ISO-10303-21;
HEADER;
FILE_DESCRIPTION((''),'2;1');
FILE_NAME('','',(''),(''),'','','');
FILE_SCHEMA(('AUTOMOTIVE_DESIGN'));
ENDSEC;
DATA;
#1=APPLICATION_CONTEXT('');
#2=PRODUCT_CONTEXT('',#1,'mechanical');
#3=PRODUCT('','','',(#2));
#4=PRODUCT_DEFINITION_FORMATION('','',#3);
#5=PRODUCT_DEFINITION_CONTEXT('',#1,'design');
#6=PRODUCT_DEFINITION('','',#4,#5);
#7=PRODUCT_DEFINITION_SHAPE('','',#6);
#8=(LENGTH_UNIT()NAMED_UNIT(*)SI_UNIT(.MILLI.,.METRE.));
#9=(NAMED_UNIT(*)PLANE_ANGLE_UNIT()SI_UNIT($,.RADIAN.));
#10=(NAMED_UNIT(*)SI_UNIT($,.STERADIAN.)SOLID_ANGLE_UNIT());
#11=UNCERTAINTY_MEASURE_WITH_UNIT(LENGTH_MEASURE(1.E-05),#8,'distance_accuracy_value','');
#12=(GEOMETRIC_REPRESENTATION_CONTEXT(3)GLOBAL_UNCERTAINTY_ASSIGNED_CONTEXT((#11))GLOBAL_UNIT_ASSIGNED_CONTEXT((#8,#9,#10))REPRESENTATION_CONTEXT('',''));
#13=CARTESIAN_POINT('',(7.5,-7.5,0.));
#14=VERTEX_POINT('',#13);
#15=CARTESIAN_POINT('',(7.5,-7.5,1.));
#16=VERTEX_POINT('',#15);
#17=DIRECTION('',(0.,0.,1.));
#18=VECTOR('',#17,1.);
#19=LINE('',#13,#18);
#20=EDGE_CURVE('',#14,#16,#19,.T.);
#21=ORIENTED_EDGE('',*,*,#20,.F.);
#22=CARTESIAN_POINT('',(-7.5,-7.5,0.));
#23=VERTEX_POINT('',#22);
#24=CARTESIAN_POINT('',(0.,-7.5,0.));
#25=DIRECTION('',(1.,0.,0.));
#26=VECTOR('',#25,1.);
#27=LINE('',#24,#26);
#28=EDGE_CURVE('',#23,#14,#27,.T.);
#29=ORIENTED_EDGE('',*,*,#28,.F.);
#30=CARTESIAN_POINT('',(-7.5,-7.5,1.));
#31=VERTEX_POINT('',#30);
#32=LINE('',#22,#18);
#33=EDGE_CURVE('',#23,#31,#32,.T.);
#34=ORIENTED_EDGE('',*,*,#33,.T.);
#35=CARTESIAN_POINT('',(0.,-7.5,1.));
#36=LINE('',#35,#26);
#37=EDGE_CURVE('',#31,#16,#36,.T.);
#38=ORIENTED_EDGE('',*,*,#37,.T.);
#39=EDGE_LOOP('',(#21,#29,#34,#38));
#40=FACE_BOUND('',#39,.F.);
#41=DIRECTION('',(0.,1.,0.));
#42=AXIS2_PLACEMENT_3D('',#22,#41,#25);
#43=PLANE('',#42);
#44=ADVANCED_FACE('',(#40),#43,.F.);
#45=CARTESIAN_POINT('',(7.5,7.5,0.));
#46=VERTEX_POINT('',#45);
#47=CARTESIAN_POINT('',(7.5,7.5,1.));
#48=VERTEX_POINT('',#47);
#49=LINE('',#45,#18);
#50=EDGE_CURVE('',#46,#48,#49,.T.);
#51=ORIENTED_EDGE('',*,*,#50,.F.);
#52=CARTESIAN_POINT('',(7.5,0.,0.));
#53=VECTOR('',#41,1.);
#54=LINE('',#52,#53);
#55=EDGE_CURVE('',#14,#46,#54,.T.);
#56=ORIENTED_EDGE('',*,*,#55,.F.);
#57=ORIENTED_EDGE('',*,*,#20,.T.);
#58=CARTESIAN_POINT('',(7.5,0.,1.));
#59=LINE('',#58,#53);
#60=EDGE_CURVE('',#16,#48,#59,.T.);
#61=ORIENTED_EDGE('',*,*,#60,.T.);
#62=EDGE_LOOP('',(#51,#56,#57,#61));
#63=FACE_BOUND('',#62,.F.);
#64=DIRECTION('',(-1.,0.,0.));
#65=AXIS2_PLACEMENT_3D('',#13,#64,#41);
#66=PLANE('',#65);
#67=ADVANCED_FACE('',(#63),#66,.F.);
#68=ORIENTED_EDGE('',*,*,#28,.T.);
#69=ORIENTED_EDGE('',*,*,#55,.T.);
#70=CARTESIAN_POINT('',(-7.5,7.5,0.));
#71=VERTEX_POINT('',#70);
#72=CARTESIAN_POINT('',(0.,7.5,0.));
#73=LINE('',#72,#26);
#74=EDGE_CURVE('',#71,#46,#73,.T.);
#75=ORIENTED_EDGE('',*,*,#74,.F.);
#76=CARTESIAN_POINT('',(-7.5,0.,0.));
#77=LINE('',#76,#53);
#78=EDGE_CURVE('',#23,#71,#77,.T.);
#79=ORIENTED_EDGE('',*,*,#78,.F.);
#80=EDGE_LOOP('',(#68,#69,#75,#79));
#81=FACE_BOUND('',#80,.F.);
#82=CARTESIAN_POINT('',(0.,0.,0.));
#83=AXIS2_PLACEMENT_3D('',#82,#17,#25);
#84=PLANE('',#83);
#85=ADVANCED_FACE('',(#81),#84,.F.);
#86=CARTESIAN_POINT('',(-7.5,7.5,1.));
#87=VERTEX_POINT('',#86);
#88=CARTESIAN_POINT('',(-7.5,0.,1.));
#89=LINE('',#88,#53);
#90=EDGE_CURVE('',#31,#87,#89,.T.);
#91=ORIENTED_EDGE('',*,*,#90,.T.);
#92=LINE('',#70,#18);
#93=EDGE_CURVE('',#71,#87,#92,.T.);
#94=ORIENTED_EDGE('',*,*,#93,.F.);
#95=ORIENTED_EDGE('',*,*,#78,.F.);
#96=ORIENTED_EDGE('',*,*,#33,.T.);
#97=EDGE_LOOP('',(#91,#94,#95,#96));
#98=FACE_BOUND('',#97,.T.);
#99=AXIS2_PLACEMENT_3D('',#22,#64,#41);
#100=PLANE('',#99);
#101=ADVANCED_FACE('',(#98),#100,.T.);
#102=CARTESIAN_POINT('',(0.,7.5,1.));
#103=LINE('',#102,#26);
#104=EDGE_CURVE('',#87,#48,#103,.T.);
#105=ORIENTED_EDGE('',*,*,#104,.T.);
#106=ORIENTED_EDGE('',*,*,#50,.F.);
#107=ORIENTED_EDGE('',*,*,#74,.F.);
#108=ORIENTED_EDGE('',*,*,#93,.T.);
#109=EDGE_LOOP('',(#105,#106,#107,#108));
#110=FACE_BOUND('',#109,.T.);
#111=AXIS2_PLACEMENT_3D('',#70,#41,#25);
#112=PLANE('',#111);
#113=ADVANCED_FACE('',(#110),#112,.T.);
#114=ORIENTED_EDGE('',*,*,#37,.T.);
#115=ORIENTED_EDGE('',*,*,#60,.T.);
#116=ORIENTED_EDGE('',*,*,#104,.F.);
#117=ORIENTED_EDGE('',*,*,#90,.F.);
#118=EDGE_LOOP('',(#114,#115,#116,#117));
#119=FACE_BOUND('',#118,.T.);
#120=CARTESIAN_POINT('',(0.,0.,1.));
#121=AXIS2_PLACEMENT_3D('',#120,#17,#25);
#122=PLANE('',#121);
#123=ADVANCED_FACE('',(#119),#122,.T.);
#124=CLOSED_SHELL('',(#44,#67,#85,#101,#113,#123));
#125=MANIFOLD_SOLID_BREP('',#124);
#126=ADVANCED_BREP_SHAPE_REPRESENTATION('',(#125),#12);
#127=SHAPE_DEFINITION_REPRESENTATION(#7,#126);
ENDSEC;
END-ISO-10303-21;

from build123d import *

# Parameters (mm, degrees)
SKETCH1_W               = 15
SKETCH1_H               = 15
COMPONENT_OUTLINE_DEPTH = 1


with BuildPart() as part:
    # Sketch1 → Component_Outline (new body)
    with BuildSketch(Plane.XY):
        Rectangle(SKETCH1_W, SKETCH1_H)
    extrude(amount=COMPONENT_OUTLINE_DEPTH)


solid = part.part
